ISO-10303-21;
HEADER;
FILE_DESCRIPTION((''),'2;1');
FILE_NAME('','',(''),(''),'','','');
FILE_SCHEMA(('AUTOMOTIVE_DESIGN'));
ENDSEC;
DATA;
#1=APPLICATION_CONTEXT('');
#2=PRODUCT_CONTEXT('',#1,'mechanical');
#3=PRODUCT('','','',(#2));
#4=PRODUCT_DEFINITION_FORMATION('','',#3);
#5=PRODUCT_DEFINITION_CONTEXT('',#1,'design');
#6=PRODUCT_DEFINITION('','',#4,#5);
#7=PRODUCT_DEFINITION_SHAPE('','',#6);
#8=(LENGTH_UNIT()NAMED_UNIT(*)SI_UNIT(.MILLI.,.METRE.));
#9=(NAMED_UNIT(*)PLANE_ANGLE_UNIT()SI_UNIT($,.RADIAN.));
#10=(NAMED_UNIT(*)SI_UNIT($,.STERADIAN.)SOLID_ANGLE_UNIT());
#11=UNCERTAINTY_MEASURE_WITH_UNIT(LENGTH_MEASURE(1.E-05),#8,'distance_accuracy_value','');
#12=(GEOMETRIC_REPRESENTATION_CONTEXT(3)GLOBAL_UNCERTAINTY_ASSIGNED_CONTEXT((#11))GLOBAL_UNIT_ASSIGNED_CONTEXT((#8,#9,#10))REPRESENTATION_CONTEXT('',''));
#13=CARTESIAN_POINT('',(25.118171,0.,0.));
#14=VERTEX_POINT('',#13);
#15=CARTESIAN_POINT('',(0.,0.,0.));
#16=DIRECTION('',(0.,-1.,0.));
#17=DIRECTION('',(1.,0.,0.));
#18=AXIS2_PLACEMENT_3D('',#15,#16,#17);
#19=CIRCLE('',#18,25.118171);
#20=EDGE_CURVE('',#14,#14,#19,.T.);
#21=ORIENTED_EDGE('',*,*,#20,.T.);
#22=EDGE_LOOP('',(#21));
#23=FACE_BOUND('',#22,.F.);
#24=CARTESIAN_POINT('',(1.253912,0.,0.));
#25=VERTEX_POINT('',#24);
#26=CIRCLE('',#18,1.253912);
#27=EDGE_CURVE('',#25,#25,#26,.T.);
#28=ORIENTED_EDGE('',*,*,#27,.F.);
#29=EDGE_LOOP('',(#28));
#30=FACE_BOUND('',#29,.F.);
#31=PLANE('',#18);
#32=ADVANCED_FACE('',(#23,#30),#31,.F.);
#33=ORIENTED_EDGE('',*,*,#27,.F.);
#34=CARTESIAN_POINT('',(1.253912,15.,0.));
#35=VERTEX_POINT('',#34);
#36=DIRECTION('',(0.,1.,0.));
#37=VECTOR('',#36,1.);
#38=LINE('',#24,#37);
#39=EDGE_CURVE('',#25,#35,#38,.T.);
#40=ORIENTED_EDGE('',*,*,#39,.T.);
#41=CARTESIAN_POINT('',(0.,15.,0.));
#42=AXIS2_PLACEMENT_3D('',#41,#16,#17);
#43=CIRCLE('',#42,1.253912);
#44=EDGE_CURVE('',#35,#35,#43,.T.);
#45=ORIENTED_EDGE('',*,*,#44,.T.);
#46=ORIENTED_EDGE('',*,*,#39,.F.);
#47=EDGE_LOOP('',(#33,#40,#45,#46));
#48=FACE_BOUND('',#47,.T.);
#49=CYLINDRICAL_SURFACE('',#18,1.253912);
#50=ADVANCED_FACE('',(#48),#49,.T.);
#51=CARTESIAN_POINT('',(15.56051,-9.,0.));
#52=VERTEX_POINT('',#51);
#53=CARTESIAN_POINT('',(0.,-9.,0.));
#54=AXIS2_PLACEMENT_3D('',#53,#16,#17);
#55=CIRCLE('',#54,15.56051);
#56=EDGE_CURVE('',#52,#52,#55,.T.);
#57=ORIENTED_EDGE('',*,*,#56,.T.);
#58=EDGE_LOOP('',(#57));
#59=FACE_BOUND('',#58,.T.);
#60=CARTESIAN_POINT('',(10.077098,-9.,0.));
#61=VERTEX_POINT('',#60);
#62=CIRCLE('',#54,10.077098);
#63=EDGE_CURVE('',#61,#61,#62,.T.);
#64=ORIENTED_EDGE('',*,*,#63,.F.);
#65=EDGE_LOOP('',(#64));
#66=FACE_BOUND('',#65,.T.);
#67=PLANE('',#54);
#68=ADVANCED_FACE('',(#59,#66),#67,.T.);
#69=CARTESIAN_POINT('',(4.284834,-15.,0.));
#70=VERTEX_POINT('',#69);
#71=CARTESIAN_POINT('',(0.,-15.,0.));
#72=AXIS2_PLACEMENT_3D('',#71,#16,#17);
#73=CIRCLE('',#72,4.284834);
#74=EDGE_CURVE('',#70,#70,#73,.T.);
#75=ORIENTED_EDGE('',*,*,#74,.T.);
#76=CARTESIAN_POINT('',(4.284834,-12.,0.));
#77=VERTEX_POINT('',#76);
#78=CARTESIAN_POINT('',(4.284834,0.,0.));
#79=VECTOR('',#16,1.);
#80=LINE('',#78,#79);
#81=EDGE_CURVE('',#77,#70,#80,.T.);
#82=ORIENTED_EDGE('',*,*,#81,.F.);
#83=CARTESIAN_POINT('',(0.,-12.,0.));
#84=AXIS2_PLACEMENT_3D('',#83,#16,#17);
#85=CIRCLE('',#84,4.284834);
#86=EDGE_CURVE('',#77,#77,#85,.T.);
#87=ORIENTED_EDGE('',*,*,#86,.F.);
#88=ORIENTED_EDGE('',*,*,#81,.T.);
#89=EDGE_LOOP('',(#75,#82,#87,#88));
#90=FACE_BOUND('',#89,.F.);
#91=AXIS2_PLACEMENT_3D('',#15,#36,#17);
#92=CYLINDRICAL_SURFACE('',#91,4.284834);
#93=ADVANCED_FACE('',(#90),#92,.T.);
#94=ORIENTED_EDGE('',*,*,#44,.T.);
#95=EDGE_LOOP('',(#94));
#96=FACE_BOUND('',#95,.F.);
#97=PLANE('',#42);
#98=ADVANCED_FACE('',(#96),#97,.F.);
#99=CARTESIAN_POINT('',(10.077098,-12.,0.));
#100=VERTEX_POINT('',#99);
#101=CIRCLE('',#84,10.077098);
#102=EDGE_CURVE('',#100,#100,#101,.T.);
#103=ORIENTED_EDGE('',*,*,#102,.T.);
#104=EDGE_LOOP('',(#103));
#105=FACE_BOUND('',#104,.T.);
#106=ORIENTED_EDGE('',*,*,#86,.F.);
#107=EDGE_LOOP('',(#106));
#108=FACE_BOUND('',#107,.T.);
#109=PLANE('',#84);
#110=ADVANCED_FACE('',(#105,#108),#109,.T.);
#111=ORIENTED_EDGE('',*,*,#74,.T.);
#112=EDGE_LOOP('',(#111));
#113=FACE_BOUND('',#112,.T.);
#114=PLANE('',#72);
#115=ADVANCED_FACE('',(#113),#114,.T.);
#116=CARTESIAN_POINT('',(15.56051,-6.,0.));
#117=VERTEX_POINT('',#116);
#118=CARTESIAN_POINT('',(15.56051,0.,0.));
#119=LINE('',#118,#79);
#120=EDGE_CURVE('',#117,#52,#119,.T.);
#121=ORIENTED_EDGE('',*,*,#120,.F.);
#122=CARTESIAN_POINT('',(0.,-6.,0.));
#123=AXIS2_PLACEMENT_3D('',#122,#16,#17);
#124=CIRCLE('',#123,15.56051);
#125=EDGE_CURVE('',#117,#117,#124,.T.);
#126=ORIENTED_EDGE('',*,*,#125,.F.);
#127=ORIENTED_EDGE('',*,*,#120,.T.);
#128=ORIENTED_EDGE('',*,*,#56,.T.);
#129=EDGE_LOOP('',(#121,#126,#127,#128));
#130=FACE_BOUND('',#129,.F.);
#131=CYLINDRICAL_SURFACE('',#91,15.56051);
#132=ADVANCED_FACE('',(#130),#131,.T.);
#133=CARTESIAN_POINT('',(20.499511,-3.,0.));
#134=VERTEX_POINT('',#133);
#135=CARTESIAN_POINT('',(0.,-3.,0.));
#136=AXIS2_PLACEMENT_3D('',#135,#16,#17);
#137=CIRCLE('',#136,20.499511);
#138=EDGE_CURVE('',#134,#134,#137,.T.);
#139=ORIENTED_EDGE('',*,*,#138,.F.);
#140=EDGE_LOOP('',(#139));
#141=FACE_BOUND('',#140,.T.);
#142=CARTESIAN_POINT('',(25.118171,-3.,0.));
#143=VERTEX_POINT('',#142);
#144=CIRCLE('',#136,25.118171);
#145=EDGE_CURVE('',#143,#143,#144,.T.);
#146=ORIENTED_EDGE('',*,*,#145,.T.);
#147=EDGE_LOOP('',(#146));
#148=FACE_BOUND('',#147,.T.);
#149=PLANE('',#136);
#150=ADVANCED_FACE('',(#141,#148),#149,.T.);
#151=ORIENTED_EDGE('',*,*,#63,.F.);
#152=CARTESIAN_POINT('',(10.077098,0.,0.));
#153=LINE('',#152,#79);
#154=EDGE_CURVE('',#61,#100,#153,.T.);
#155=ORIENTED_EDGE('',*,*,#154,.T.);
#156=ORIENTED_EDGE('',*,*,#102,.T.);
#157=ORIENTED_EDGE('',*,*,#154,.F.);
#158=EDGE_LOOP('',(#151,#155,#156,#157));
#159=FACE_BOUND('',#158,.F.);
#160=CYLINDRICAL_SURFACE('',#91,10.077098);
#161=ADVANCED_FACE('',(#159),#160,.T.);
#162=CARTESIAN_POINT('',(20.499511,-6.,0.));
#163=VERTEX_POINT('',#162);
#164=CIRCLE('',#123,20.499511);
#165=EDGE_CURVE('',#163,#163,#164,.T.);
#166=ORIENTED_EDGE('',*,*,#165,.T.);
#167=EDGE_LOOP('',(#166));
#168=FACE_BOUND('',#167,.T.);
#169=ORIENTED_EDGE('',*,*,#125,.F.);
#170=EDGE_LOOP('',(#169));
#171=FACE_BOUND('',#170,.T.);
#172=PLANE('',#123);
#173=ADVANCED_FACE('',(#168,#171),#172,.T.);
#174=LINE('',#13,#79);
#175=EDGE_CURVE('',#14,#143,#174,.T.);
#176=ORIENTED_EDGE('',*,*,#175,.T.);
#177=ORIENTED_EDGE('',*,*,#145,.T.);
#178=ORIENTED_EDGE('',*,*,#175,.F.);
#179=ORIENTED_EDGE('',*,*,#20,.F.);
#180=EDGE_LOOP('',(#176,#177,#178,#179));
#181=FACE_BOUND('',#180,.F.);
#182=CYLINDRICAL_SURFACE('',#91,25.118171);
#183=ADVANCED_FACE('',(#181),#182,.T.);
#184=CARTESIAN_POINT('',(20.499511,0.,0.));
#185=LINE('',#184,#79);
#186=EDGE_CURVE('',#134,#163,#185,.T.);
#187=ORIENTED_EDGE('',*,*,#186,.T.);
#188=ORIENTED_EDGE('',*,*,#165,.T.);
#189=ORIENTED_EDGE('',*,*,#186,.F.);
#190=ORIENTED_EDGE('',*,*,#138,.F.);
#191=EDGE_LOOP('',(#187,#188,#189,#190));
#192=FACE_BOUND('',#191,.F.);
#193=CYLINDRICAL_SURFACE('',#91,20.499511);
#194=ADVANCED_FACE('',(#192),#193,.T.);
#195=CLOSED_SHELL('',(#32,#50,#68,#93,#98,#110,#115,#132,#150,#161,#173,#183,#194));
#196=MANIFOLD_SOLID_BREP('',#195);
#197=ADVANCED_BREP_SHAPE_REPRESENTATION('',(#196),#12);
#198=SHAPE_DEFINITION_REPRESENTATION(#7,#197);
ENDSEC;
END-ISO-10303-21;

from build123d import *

# Parameters (mm, degrees)
F0_R     = 25.118171
F0_R_2   = 20.499511
F1_DEPTH = 3
F0_R_3   = 15.56051
F2_DEPTH = 6
F0_R_4   = 10.077098
F3_DEPTH = 9
F0_R_5   = 4.284834
F4_DEPTH = 12
F0_R_6   = 1.253912
F5_DEPTH = 15
F6_DEPTH = 15
F7_DEPTH = 15


with BuildPart() as f1:
    # F0 (on Front) → F1 (new body)
    with BuildSketch(Plane.XZ):
        Circle(F0_R)
        Circle(F0_R_2, mode=Mode.SUBTRACT)
    extrude(amount=F1_DEPTH)

    # F0 (on Front) → F2 (join)
    with BuildSketch(Plane.XZ):
        Circle(F0_R_2)
        Circle(F0_R_3, mode=Mode.SUBTRACT)
    extrude(amount=F2_DEPTH)

    # F0 (on Front) → F3 (join)
    with BuildSketch(Plane.XZ):
        Circle(F0_R_3)
        Circle(F0_R_4, mode=Mode.SUBTRACT)
    extrude(amount=F3_DEPTH)

    # F0 (on Front) → F4 (join)
    with BuildSketch(Plane.XZ):
        Circle(F0_R_4)
        Circle(F0_R_5, mode=Mode.SUBTRACT)
    extrude(amount=F4_DEPTH)

    # F0 (on Front) → F5 (join)
    with BuildSketch(Plane.XZ):
        Circle(F0_R_5)
        Circle(F0_R_6, mode=Mode.SUBTRACT)
    extrude(amount=F5_DEPTH)

    # F0 (on Front) → F6 (join)
    with BuildSketch(Plane.XZ):
        Circle(F0_R_6)
    extrude(amount=F6_DEPTH)

    # F0 (on Front) → F7 (join)
    with BuildSketch(Plane.XZ):
        Circle(F0_R_6)
    extrude(amount=-F7_DEPTH)


solid = f1.part
